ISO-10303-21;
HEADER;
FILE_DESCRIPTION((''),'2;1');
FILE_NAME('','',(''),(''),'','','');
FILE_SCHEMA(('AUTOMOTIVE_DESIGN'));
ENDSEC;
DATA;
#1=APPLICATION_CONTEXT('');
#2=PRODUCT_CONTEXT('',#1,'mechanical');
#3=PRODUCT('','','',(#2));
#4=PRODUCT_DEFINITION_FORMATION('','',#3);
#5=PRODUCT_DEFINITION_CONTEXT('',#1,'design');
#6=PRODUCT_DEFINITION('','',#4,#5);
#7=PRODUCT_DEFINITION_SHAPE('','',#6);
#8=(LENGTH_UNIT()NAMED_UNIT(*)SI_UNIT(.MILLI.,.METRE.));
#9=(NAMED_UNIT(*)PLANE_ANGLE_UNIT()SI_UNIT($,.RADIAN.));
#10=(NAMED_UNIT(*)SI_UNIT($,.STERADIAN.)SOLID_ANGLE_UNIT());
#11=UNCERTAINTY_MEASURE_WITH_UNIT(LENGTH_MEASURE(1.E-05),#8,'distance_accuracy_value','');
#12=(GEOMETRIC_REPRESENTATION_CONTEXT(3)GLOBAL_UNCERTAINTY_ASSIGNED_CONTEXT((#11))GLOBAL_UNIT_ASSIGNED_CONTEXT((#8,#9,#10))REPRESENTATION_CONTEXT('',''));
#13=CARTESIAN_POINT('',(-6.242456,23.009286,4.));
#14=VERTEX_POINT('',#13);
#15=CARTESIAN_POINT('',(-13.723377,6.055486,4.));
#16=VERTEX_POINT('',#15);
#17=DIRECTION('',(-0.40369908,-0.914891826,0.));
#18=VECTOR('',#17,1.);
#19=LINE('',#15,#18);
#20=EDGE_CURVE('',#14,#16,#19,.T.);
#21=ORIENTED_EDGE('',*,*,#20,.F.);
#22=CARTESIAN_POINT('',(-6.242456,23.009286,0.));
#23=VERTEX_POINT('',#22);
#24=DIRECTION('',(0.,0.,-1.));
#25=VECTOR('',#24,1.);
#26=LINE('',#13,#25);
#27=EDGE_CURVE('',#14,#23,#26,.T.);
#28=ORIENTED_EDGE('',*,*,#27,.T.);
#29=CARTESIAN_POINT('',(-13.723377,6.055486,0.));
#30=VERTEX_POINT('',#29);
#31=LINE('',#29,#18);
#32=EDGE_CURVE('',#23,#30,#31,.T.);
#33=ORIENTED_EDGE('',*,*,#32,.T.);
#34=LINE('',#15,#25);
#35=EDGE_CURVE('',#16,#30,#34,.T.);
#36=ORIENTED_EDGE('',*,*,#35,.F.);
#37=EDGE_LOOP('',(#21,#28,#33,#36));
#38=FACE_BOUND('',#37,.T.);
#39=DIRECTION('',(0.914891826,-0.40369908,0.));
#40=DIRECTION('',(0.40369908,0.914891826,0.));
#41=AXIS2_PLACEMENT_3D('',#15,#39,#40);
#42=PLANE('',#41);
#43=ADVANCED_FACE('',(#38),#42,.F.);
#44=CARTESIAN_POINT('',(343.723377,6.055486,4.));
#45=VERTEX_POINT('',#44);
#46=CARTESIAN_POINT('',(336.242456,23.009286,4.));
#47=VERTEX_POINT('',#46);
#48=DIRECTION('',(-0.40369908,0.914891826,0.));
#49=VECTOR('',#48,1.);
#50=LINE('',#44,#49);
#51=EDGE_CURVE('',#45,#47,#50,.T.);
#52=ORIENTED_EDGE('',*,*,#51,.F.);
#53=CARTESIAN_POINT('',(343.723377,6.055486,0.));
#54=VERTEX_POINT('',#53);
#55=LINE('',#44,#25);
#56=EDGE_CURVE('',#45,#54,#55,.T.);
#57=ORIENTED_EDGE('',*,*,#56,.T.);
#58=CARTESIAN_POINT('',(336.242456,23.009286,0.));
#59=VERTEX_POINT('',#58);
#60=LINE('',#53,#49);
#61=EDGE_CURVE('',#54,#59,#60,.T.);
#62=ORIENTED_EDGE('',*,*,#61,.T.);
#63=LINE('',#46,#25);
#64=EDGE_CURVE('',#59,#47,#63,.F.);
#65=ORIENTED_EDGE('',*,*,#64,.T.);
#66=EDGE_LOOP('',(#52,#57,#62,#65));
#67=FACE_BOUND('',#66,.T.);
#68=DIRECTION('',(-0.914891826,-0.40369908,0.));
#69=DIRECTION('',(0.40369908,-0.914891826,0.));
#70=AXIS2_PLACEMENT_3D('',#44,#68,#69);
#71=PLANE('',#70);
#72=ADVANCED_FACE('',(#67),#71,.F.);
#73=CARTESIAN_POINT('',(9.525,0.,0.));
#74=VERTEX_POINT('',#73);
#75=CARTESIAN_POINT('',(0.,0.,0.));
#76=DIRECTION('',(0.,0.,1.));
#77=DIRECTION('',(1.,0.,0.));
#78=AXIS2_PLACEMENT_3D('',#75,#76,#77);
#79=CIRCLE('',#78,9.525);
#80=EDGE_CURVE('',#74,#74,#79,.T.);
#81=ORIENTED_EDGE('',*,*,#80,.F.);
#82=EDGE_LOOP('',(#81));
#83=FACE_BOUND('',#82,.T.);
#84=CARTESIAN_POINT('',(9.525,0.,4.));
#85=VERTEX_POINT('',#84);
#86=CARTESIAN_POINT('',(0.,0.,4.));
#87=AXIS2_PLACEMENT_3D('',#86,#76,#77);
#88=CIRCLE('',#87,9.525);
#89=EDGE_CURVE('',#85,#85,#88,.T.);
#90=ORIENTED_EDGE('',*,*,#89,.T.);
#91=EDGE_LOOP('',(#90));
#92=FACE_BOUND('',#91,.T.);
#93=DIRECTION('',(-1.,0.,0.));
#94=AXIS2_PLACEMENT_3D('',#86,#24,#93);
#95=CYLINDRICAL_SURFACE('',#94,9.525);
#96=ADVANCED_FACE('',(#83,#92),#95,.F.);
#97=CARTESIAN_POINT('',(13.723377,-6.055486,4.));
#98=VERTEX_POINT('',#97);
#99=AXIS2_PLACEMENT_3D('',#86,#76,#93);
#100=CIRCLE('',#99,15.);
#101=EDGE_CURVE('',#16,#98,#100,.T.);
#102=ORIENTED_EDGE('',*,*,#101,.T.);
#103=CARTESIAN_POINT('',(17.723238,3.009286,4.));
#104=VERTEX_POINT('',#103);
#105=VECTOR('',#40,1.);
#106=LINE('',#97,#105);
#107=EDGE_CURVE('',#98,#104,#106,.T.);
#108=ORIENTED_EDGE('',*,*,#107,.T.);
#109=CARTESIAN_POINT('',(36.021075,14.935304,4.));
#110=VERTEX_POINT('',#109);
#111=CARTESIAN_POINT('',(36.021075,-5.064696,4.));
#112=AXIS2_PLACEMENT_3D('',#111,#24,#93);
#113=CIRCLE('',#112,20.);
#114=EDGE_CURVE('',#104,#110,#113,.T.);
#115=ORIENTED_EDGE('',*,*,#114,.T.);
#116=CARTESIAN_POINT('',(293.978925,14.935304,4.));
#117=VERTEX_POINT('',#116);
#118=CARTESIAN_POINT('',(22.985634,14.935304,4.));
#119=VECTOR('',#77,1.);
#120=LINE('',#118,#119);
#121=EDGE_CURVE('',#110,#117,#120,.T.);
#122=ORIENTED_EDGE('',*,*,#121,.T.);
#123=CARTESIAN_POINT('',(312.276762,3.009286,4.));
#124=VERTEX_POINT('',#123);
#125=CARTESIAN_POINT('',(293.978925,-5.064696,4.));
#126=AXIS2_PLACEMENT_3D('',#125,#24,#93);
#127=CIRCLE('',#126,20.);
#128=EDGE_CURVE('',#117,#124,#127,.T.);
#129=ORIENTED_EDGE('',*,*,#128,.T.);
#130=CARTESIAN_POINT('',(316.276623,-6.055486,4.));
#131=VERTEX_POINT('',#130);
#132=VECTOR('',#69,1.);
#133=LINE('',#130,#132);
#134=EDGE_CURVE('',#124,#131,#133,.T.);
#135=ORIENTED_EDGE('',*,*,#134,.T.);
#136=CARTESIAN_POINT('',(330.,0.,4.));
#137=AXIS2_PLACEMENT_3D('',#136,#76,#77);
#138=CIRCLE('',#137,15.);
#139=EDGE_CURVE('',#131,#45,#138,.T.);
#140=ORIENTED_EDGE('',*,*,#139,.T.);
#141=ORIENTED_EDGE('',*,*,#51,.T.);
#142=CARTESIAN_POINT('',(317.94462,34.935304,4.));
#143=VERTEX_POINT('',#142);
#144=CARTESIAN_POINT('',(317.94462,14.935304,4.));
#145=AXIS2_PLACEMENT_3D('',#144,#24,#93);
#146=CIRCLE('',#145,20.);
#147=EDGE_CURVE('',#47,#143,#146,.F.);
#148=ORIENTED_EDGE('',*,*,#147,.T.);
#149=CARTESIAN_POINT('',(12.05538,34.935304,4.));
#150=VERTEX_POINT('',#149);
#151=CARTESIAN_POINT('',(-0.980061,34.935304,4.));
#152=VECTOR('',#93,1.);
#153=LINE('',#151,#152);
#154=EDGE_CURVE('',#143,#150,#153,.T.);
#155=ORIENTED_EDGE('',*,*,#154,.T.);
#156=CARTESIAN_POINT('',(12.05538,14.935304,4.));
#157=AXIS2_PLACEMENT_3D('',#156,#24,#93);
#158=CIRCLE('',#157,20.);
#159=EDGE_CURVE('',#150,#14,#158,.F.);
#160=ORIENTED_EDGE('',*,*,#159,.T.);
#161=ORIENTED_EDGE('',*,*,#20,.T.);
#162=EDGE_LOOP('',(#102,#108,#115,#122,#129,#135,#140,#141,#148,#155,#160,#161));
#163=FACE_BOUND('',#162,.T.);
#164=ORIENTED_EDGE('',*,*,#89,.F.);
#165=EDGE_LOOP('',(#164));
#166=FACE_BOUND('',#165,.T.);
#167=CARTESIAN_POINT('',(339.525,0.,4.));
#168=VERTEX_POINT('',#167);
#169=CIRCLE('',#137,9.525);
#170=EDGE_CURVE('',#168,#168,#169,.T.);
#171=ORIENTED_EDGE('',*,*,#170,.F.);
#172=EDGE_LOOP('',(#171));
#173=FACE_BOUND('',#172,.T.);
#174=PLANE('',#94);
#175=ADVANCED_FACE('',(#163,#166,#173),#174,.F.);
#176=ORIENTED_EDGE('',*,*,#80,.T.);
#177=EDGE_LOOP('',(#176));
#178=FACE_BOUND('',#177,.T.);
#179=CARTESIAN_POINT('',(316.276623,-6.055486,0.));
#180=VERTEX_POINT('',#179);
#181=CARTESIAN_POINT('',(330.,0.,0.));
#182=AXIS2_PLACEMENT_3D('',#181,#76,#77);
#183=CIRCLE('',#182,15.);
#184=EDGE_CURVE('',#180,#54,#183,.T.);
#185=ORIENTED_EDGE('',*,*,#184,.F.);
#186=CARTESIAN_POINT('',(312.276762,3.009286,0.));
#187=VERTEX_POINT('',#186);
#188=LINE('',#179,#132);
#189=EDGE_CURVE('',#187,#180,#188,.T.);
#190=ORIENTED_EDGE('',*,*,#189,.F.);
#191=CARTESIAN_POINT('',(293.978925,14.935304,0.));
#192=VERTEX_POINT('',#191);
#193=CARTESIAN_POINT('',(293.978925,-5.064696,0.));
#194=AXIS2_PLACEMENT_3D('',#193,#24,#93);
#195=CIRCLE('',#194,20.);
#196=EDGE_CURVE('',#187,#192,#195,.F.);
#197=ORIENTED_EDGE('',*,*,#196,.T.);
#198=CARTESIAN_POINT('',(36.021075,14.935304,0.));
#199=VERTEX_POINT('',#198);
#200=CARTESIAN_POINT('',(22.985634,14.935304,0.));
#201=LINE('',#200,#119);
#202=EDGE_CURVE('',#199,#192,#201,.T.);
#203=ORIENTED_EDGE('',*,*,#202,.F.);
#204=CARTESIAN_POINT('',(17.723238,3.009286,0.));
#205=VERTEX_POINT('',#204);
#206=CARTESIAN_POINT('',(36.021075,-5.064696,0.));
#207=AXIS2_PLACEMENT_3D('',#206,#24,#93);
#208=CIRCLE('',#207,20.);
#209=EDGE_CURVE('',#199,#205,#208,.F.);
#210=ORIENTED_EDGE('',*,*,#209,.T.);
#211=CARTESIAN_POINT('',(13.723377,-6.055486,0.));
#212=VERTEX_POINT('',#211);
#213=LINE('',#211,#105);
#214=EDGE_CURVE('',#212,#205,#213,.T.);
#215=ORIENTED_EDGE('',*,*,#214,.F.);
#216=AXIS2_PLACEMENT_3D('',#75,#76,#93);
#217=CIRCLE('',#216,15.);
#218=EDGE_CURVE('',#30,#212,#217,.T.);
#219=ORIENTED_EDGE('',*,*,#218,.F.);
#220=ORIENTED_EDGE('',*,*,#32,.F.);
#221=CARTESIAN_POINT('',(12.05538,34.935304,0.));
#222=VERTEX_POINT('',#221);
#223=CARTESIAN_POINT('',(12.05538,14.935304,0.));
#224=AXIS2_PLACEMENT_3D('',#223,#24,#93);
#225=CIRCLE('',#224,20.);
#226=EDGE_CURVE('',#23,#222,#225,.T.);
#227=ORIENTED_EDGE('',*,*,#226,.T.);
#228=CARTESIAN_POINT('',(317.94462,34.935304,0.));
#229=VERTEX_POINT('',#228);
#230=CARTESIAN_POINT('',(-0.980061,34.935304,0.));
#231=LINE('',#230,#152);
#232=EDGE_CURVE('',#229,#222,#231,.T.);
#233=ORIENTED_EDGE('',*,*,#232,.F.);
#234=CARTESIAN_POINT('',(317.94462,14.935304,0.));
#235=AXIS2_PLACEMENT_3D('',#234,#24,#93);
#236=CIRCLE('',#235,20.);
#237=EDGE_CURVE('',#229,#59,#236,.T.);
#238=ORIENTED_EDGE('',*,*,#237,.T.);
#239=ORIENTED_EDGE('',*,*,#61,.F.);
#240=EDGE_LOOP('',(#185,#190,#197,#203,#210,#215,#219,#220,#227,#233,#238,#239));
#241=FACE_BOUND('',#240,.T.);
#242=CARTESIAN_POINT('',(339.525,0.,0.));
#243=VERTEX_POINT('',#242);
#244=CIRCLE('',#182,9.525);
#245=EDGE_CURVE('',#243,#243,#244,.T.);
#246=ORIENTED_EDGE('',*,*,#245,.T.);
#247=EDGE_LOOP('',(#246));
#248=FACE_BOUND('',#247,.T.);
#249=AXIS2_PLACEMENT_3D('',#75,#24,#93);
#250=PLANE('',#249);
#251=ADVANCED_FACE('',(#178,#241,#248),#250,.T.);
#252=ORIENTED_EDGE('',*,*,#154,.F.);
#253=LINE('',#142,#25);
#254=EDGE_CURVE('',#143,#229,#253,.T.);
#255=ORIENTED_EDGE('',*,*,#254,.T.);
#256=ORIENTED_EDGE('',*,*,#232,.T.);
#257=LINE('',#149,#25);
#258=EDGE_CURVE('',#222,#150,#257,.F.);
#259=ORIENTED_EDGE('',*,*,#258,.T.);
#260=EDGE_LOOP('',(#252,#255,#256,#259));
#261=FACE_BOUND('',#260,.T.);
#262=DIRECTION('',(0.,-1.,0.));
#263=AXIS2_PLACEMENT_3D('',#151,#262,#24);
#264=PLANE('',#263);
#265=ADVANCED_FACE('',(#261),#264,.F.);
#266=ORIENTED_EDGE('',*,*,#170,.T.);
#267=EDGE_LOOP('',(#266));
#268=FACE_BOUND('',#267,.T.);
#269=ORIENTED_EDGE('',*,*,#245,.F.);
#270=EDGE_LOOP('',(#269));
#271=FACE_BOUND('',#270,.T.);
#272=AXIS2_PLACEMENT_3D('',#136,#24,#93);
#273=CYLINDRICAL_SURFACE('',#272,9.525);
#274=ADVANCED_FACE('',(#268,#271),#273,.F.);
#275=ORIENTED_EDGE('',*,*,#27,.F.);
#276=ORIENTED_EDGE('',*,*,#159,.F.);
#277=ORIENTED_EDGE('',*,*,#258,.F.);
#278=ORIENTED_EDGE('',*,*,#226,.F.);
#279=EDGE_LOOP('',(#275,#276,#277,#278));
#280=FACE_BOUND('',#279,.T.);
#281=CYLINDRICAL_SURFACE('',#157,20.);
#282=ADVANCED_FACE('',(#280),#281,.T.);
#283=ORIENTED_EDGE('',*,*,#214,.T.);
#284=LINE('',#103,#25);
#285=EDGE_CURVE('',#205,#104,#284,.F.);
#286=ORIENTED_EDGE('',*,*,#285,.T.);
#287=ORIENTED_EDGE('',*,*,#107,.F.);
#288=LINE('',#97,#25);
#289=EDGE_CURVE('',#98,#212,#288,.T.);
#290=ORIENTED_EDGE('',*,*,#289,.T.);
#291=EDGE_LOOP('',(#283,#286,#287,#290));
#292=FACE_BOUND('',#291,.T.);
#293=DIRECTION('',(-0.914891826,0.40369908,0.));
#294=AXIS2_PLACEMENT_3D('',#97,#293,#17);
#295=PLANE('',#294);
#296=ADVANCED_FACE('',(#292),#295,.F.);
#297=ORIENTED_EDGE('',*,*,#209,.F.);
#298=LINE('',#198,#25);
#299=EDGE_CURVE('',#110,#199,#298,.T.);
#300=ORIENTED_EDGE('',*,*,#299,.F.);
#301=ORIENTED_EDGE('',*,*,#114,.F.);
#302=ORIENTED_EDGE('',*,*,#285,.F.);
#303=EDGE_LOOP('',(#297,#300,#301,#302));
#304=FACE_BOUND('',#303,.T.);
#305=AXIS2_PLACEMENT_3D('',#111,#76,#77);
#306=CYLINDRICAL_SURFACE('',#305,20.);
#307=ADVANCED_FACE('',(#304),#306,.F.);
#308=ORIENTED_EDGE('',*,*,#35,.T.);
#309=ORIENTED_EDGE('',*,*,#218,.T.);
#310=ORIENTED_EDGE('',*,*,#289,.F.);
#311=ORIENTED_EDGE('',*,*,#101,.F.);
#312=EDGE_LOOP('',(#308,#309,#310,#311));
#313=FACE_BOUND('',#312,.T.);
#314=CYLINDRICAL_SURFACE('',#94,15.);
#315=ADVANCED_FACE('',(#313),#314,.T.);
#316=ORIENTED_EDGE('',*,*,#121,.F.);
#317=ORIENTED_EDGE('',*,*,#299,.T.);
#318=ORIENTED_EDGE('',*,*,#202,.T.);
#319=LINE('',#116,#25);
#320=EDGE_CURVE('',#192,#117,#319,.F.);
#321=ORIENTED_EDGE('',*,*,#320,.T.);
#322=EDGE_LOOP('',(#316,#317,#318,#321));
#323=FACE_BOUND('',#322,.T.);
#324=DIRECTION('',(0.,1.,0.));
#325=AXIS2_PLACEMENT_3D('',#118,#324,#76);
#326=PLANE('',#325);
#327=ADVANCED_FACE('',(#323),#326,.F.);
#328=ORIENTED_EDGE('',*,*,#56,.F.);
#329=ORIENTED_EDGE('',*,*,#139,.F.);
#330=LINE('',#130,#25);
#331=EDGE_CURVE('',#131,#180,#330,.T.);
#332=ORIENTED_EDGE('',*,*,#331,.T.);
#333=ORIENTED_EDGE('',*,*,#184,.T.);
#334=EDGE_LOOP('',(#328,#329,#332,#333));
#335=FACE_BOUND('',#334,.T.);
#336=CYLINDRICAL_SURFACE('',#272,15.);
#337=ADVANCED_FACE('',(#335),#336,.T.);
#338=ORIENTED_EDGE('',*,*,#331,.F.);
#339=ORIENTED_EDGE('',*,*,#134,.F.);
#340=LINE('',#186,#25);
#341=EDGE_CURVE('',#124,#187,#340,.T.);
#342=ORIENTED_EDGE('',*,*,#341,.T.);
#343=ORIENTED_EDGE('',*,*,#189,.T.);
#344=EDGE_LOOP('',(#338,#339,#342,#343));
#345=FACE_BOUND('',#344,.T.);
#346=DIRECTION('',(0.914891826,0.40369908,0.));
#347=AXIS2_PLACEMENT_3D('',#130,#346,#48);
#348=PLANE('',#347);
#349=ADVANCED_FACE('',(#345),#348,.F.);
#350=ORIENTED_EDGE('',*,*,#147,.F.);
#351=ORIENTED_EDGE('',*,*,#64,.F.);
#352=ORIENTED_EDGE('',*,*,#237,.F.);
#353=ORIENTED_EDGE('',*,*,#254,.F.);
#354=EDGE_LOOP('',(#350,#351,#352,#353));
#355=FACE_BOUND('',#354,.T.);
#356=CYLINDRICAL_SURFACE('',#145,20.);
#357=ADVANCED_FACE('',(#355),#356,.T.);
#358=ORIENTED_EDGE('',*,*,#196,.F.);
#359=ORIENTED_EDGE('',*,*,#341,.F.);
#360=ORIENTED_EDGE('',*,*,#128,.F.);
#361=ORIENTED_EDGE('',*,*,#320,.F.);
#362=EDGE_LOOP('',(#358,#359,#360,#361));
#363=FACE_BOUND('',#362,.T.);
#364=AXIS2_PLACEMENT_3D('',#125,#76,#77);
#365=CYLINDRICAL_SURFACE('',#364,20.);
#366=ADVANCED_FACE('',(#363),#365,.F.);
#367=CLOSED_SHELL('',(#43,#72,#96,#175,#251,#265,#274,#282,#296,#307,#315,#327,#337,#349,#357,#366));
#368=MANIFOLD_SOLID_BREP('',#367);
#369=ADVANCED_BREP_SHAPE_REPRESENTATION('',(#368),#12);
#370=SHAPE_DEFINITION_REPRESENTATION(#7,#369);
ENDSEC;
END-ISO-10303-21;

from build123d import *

# Parameters (mm, degrees)
SKETCH_1_R      = 9.525
EXTRUDE_1_DEPTH = 4
FILLET_1_R      = 20


with BuildPart() as part:
    # 草图1 → 凸台-拉伸1 (new body)
    with BuildSketch(Plane.XY):
        with BuildLine():
            Line((-0.980060917, 34.935304473), (330.980060917, 34.935304473))
            Line((330.980060917, 34.935304473), (343.723377386, 6.055486201))
            ThreePointArc((343.723377386, 6.055486201), (336.055486201, -13.723377386), (316.276622614, -6.055486201))
            Line((316.276622614, -6.055486201), (307.014365977, 14.935304473))
            Line((307.014365977, 14.935304473), (22.985634023, 14.935304473))
            Line((22.985634023, 14.935304473), (13.723377386, -6.055486201))
            ThreePointArc((13.723377386, -6.055486201), (-6.055486201, -13.723377386), (-13.723377386, 6.055486201))
            Line((-13.723377386, 6.055486201), (-0.980060917, 34.935304473))
        make_face()
        Circle(SKETCH_1_R, mode=Mode.SUBTRACT)
        with Locations((330, 0)):
            Circle(SKETCH_1_R, mode=Mode.SUBTRACT)
    extrude(amount=EXTRUDE_1_DEPTH)

    # 圆角1
    fillet_1_edges = [part.edges().sort_by_distance(p)[0] for p in [
        (-0.980060917, 34.935304473, 2),
        (330.980060917, 34.935304473, 2),
        (307.014365977, 14.935304473, 2),
        (22.985634023, 14.935304473, 2),
    ]]
    fillet(fillet_1_edges, radius=FILLET_1_R)


solid = part.part
